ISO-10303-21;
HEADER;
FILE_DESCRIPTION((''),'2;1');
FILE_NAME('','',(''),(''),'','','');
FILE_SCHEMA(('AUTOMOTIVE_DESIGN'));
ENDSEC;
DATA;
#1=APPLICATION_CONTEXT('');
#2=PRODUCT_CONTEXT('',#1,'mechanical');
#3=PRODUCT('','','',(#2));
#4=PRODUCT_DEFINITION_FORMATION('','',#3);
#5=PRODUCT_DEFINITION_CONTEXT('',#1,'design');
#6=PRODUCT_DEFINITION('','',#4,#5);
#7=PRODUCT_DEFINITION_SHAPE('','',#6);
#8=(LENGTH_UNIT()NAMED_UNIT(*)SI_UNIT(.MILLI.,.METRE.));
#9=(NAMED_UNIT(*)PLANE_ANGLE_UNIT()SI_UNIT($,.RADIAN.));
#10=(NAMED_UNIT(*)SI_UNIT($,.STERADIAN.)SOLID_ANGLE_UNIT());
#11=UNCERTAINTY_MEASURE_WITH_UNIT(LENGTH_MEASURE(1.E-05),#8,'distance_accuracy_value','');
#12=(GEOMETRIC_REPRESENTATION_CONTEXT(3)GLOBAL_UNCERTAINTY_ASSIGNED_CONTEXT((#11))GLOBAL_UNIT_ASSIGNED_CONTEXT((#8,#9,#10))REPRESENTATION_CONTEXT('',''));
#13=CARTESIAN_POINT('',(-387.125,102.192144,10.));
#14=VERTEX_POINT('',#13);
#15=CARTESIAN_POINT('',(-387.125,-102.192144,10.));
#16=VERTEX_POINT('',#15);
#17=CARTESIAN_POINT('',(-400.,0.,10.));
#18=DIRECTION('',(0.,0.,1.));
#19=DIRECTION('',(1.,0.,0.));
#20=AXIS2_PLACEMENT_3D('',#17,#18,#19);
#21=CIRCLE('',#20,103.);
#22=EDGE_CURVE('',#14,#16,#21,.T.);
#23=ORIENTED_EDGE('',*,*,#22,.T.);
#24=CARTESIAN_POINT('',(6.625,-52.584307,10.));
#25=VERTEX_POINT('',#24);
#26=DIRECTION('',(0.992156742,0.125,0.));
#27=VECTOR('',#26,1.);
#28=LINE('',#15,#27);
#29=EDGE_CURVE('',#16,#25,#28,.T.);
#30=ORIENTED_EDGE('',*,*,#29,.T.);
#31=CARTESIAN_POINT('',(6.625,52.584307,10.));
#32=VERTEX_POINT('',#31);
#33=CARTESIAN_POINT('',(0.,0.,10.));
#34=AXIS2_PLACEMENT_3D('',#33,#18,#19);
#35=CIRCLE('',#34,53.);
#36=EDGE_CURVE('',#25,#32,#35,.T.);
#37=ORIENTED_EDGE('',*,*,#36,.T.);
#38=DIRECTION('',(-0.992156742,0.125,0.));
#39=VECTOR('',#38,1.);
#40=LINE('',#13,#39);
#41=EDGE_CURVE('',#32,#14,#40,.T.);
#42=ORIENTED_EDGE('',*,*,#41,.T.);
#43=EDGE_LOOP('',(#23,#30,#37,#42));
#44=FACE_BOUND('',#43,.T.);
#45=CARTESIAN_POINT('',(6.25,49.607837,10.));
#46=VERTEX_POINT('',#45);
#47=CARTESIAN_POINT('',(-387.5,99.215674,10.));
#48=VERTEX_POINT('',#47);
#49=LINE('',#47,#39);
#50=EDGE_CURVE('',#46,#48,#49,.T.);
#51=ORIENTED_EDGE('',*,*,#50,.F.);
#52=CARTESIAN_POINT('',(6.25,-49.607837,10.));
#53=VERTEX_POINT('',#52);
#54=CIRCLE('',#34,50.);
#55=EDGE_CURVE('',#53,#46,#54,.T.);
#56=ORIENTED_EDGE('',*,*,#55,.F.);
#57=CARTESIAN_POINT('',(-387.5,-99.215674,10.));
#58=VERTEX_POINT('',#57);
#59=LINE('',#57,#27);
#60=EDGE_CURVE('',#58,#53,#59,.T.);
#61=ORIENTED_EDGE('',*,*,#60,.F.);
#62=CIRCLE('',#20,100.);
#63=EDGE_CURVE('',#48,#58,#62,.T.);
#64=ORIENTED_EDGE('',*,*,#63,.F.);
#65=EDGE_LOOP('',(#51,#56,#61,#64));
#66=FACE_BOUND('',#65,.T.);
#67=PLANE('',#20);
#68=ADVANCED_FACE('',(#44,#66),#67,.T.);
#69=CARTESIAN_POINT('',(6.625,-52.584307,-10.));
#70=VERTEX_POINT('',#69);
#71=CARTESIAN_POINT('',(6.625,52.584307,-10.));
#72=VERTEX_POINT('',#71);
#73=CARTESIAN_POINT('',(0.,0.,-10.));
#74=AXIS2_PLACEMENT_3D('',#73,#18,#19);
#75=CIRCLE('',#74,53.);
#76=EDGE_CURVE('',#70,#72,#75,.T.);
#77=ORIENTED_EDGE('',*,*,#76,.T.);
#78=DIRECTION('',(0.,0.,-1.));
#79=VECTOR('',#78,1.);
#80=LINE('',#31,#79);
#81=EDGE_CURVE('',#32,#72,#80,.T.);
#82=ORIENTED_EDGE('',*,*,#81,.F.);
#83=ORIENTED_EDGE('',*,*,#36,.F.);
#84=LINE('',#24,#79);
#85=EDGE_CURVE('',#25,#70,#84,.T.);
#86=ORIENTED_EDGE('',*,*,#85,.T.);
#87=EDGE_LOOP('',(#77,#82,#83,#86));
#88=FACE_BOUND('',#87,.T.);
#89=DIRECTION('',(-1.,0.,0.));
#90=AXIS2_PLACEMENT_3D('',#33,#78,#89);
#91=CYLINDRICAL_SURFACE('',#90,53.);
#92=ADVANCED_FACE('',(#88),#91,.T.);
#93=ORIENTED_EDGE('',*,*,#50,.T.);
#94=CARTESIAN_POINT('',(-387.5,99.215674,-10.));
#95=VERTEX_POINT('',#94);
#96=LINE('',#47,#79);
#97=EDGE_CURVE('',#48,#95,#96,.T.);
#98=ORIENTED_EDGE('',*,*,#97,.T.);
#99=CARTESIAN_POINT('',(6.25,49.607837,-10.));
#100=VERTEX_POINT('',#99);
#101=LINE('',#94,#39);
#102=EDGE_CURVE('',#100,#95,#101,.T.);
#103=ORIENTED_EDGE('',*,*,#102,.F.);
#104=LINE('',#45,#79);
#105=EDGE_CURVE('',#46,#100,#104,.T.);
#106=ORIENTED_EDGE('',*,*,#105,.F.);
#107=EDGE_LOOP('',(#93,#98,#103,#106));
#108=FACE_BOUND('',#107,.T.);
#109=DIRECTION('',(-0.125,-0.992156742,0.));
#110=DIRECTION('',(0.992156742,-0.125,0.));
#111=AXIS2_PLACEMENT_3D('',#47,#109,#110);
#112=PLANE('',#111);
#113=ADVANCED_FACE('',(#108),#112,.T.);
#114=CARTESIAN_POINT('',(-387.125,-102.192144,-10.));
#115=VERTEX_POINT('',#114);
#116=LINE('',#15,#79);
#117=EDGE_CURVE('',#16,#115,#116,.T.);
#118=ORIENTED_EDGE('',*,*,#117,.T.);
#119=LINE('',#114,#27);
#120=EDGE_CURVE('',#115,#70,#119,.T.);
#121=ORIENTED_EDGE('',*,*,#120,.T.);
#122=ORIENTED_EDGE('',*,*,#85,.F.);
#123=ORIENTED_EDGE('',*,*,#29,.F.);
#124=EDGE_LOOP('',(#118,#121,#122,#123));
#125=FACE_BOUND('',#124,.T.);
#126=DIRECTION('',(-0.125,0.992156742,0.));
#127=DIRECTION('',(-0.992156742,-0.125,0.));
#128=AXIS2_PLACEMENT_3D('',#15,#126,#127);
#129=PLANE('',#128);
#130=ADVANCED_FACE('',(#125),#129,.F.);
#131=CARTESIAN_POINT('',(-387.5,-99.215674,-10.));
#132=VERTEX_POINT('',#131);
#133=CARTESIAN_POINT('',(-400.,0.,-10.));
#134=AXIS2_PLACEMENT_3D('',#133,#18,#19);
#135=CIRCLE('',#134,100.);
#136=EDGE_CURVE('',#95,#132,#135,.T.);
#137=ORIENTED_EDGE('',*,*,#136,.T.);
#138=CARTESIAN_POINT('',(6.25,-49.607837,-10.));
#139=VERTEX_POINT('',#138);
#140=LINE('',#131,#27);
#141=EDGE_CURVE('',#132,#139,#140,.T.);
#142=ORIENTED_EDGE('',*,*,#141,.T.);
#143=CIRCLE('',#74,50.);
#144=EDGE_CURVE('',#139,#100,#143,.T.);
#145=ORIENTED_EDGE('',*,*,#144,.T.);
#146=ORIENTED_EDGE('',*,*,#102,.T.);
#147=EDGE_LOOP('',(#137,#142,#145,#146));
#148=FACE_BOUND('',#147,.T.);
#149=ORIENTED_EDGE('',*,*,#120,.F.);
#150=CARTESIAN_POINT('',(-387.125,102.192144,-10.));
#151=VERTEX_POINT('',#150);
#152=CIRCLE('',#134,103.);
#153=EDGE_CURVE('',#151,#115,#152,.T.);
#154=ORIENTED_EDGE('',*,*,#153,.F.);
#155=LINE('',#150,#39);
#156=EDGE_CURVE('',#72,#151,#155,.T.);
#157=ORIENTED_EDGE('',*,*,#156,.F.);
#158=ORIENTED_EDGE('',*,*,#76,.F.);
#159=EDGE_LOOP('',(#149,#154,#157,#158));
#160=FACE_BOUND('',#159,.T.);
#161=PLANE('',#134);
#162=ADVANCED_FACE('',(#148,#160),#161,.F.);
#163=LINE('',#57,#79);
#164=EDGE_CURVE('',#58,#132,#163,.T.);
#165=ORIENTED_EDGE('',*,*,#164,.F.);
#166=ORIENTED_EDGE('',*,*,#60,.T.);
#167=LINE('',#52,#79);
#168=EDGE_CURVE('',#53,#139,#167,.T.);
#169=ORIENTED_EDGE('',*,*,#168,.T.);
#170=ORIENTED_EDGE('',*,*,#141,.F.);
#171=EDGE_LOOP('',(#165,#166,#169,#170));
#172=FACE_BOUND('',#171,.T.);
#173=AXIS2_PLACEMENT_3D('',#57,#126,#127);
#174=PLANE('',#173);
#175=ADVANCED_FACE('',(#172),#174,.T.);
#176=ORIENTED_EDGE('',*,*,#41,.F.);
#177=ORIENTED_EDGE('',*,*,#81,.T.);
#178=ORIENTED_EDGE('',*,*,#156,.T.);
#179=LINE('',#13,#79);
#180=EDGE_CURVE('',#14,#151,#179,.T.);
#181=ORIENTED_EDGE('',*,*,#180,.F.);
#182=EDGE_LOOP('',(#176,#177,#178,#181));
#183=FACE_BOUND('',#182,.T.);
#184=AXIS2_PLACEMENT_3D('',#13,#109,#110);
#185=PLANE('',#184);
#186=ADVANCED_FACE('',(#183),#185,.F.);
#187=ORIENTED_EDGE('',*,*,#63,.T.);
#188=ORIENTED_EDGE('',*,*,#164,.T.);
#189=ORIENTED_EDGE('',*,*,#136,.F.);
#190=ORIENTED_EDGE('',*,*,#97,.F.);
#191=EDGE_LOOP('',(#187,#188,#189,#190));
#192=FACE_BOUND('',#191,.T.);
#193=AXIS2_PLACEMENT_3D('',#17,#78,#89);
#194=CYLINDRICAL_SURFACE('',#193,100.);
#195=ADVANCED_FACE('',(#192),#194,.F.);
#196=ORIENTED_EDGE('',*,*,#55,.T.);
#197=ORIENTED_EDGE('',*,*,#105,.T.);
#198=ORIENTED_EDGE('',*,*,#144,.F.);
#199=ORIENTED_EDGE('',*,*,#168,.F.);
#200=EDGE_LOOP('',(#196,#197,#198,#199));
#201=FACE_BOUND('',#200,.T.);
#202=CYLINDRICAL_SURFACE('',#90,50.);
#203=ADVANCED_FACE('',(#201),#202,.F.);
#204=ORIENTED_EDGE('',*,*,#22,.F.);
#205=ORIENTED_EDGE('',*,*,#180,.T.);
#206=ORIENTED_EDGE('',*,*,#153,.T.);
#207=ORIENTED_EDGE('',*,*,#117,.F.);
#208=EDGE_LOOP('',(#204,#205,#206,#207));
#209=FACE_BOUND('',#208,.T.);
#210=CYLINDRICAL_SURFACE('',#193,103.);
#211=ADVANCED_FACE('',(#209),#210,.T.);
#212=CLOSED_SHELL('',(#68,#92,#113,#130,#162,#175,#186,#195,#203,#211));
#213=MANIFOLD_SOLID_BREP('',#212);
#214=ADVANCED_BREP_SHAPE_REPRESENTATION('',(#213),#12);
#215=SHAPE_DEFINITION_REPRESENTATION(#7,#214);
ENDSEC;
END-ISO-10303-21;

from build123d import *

# Parameters (mm, degrees)
EXTRUDE_1_DEPTH = 10


with BuildPart() as part:
    # 草图1 → 拉伸-薄壁1 (new, symmetric)
    with BuildSketch(Plane.XY):
        with BuildLine():
            Line((6.625, -52.584307307), (-387.125, -102.19214439))
            ThreePointArc((-387.125, -102.19214439), (-503, 0), (-387.125, 102.19214439))
            Line((-387.125, 102.19214439), (6.625, 52.584307307))
            ThreePointArc((6.625, 52.584307307), (53, 0), (6.625, -52.584307307))
        make_face()
        with BuildLine():
            Line((6.25, -49.607837082), (-387.5, -99.215674165))
            ThreePointArc((-387.5, -99.215674165), (-500, 0), (-387.5, 99.215674165))
            Line((-387.5, 99.215674165), (6.25, 49.607837082))
            ThreePointArc((6.25, 49.607837082), (50, 0), (6.25, -49.607837082))
        make_face(mode=Mode.SUBTRACT)
    extrude(amount=EXTRUDE_1_DEPTH, both=True)


solid = part.part
